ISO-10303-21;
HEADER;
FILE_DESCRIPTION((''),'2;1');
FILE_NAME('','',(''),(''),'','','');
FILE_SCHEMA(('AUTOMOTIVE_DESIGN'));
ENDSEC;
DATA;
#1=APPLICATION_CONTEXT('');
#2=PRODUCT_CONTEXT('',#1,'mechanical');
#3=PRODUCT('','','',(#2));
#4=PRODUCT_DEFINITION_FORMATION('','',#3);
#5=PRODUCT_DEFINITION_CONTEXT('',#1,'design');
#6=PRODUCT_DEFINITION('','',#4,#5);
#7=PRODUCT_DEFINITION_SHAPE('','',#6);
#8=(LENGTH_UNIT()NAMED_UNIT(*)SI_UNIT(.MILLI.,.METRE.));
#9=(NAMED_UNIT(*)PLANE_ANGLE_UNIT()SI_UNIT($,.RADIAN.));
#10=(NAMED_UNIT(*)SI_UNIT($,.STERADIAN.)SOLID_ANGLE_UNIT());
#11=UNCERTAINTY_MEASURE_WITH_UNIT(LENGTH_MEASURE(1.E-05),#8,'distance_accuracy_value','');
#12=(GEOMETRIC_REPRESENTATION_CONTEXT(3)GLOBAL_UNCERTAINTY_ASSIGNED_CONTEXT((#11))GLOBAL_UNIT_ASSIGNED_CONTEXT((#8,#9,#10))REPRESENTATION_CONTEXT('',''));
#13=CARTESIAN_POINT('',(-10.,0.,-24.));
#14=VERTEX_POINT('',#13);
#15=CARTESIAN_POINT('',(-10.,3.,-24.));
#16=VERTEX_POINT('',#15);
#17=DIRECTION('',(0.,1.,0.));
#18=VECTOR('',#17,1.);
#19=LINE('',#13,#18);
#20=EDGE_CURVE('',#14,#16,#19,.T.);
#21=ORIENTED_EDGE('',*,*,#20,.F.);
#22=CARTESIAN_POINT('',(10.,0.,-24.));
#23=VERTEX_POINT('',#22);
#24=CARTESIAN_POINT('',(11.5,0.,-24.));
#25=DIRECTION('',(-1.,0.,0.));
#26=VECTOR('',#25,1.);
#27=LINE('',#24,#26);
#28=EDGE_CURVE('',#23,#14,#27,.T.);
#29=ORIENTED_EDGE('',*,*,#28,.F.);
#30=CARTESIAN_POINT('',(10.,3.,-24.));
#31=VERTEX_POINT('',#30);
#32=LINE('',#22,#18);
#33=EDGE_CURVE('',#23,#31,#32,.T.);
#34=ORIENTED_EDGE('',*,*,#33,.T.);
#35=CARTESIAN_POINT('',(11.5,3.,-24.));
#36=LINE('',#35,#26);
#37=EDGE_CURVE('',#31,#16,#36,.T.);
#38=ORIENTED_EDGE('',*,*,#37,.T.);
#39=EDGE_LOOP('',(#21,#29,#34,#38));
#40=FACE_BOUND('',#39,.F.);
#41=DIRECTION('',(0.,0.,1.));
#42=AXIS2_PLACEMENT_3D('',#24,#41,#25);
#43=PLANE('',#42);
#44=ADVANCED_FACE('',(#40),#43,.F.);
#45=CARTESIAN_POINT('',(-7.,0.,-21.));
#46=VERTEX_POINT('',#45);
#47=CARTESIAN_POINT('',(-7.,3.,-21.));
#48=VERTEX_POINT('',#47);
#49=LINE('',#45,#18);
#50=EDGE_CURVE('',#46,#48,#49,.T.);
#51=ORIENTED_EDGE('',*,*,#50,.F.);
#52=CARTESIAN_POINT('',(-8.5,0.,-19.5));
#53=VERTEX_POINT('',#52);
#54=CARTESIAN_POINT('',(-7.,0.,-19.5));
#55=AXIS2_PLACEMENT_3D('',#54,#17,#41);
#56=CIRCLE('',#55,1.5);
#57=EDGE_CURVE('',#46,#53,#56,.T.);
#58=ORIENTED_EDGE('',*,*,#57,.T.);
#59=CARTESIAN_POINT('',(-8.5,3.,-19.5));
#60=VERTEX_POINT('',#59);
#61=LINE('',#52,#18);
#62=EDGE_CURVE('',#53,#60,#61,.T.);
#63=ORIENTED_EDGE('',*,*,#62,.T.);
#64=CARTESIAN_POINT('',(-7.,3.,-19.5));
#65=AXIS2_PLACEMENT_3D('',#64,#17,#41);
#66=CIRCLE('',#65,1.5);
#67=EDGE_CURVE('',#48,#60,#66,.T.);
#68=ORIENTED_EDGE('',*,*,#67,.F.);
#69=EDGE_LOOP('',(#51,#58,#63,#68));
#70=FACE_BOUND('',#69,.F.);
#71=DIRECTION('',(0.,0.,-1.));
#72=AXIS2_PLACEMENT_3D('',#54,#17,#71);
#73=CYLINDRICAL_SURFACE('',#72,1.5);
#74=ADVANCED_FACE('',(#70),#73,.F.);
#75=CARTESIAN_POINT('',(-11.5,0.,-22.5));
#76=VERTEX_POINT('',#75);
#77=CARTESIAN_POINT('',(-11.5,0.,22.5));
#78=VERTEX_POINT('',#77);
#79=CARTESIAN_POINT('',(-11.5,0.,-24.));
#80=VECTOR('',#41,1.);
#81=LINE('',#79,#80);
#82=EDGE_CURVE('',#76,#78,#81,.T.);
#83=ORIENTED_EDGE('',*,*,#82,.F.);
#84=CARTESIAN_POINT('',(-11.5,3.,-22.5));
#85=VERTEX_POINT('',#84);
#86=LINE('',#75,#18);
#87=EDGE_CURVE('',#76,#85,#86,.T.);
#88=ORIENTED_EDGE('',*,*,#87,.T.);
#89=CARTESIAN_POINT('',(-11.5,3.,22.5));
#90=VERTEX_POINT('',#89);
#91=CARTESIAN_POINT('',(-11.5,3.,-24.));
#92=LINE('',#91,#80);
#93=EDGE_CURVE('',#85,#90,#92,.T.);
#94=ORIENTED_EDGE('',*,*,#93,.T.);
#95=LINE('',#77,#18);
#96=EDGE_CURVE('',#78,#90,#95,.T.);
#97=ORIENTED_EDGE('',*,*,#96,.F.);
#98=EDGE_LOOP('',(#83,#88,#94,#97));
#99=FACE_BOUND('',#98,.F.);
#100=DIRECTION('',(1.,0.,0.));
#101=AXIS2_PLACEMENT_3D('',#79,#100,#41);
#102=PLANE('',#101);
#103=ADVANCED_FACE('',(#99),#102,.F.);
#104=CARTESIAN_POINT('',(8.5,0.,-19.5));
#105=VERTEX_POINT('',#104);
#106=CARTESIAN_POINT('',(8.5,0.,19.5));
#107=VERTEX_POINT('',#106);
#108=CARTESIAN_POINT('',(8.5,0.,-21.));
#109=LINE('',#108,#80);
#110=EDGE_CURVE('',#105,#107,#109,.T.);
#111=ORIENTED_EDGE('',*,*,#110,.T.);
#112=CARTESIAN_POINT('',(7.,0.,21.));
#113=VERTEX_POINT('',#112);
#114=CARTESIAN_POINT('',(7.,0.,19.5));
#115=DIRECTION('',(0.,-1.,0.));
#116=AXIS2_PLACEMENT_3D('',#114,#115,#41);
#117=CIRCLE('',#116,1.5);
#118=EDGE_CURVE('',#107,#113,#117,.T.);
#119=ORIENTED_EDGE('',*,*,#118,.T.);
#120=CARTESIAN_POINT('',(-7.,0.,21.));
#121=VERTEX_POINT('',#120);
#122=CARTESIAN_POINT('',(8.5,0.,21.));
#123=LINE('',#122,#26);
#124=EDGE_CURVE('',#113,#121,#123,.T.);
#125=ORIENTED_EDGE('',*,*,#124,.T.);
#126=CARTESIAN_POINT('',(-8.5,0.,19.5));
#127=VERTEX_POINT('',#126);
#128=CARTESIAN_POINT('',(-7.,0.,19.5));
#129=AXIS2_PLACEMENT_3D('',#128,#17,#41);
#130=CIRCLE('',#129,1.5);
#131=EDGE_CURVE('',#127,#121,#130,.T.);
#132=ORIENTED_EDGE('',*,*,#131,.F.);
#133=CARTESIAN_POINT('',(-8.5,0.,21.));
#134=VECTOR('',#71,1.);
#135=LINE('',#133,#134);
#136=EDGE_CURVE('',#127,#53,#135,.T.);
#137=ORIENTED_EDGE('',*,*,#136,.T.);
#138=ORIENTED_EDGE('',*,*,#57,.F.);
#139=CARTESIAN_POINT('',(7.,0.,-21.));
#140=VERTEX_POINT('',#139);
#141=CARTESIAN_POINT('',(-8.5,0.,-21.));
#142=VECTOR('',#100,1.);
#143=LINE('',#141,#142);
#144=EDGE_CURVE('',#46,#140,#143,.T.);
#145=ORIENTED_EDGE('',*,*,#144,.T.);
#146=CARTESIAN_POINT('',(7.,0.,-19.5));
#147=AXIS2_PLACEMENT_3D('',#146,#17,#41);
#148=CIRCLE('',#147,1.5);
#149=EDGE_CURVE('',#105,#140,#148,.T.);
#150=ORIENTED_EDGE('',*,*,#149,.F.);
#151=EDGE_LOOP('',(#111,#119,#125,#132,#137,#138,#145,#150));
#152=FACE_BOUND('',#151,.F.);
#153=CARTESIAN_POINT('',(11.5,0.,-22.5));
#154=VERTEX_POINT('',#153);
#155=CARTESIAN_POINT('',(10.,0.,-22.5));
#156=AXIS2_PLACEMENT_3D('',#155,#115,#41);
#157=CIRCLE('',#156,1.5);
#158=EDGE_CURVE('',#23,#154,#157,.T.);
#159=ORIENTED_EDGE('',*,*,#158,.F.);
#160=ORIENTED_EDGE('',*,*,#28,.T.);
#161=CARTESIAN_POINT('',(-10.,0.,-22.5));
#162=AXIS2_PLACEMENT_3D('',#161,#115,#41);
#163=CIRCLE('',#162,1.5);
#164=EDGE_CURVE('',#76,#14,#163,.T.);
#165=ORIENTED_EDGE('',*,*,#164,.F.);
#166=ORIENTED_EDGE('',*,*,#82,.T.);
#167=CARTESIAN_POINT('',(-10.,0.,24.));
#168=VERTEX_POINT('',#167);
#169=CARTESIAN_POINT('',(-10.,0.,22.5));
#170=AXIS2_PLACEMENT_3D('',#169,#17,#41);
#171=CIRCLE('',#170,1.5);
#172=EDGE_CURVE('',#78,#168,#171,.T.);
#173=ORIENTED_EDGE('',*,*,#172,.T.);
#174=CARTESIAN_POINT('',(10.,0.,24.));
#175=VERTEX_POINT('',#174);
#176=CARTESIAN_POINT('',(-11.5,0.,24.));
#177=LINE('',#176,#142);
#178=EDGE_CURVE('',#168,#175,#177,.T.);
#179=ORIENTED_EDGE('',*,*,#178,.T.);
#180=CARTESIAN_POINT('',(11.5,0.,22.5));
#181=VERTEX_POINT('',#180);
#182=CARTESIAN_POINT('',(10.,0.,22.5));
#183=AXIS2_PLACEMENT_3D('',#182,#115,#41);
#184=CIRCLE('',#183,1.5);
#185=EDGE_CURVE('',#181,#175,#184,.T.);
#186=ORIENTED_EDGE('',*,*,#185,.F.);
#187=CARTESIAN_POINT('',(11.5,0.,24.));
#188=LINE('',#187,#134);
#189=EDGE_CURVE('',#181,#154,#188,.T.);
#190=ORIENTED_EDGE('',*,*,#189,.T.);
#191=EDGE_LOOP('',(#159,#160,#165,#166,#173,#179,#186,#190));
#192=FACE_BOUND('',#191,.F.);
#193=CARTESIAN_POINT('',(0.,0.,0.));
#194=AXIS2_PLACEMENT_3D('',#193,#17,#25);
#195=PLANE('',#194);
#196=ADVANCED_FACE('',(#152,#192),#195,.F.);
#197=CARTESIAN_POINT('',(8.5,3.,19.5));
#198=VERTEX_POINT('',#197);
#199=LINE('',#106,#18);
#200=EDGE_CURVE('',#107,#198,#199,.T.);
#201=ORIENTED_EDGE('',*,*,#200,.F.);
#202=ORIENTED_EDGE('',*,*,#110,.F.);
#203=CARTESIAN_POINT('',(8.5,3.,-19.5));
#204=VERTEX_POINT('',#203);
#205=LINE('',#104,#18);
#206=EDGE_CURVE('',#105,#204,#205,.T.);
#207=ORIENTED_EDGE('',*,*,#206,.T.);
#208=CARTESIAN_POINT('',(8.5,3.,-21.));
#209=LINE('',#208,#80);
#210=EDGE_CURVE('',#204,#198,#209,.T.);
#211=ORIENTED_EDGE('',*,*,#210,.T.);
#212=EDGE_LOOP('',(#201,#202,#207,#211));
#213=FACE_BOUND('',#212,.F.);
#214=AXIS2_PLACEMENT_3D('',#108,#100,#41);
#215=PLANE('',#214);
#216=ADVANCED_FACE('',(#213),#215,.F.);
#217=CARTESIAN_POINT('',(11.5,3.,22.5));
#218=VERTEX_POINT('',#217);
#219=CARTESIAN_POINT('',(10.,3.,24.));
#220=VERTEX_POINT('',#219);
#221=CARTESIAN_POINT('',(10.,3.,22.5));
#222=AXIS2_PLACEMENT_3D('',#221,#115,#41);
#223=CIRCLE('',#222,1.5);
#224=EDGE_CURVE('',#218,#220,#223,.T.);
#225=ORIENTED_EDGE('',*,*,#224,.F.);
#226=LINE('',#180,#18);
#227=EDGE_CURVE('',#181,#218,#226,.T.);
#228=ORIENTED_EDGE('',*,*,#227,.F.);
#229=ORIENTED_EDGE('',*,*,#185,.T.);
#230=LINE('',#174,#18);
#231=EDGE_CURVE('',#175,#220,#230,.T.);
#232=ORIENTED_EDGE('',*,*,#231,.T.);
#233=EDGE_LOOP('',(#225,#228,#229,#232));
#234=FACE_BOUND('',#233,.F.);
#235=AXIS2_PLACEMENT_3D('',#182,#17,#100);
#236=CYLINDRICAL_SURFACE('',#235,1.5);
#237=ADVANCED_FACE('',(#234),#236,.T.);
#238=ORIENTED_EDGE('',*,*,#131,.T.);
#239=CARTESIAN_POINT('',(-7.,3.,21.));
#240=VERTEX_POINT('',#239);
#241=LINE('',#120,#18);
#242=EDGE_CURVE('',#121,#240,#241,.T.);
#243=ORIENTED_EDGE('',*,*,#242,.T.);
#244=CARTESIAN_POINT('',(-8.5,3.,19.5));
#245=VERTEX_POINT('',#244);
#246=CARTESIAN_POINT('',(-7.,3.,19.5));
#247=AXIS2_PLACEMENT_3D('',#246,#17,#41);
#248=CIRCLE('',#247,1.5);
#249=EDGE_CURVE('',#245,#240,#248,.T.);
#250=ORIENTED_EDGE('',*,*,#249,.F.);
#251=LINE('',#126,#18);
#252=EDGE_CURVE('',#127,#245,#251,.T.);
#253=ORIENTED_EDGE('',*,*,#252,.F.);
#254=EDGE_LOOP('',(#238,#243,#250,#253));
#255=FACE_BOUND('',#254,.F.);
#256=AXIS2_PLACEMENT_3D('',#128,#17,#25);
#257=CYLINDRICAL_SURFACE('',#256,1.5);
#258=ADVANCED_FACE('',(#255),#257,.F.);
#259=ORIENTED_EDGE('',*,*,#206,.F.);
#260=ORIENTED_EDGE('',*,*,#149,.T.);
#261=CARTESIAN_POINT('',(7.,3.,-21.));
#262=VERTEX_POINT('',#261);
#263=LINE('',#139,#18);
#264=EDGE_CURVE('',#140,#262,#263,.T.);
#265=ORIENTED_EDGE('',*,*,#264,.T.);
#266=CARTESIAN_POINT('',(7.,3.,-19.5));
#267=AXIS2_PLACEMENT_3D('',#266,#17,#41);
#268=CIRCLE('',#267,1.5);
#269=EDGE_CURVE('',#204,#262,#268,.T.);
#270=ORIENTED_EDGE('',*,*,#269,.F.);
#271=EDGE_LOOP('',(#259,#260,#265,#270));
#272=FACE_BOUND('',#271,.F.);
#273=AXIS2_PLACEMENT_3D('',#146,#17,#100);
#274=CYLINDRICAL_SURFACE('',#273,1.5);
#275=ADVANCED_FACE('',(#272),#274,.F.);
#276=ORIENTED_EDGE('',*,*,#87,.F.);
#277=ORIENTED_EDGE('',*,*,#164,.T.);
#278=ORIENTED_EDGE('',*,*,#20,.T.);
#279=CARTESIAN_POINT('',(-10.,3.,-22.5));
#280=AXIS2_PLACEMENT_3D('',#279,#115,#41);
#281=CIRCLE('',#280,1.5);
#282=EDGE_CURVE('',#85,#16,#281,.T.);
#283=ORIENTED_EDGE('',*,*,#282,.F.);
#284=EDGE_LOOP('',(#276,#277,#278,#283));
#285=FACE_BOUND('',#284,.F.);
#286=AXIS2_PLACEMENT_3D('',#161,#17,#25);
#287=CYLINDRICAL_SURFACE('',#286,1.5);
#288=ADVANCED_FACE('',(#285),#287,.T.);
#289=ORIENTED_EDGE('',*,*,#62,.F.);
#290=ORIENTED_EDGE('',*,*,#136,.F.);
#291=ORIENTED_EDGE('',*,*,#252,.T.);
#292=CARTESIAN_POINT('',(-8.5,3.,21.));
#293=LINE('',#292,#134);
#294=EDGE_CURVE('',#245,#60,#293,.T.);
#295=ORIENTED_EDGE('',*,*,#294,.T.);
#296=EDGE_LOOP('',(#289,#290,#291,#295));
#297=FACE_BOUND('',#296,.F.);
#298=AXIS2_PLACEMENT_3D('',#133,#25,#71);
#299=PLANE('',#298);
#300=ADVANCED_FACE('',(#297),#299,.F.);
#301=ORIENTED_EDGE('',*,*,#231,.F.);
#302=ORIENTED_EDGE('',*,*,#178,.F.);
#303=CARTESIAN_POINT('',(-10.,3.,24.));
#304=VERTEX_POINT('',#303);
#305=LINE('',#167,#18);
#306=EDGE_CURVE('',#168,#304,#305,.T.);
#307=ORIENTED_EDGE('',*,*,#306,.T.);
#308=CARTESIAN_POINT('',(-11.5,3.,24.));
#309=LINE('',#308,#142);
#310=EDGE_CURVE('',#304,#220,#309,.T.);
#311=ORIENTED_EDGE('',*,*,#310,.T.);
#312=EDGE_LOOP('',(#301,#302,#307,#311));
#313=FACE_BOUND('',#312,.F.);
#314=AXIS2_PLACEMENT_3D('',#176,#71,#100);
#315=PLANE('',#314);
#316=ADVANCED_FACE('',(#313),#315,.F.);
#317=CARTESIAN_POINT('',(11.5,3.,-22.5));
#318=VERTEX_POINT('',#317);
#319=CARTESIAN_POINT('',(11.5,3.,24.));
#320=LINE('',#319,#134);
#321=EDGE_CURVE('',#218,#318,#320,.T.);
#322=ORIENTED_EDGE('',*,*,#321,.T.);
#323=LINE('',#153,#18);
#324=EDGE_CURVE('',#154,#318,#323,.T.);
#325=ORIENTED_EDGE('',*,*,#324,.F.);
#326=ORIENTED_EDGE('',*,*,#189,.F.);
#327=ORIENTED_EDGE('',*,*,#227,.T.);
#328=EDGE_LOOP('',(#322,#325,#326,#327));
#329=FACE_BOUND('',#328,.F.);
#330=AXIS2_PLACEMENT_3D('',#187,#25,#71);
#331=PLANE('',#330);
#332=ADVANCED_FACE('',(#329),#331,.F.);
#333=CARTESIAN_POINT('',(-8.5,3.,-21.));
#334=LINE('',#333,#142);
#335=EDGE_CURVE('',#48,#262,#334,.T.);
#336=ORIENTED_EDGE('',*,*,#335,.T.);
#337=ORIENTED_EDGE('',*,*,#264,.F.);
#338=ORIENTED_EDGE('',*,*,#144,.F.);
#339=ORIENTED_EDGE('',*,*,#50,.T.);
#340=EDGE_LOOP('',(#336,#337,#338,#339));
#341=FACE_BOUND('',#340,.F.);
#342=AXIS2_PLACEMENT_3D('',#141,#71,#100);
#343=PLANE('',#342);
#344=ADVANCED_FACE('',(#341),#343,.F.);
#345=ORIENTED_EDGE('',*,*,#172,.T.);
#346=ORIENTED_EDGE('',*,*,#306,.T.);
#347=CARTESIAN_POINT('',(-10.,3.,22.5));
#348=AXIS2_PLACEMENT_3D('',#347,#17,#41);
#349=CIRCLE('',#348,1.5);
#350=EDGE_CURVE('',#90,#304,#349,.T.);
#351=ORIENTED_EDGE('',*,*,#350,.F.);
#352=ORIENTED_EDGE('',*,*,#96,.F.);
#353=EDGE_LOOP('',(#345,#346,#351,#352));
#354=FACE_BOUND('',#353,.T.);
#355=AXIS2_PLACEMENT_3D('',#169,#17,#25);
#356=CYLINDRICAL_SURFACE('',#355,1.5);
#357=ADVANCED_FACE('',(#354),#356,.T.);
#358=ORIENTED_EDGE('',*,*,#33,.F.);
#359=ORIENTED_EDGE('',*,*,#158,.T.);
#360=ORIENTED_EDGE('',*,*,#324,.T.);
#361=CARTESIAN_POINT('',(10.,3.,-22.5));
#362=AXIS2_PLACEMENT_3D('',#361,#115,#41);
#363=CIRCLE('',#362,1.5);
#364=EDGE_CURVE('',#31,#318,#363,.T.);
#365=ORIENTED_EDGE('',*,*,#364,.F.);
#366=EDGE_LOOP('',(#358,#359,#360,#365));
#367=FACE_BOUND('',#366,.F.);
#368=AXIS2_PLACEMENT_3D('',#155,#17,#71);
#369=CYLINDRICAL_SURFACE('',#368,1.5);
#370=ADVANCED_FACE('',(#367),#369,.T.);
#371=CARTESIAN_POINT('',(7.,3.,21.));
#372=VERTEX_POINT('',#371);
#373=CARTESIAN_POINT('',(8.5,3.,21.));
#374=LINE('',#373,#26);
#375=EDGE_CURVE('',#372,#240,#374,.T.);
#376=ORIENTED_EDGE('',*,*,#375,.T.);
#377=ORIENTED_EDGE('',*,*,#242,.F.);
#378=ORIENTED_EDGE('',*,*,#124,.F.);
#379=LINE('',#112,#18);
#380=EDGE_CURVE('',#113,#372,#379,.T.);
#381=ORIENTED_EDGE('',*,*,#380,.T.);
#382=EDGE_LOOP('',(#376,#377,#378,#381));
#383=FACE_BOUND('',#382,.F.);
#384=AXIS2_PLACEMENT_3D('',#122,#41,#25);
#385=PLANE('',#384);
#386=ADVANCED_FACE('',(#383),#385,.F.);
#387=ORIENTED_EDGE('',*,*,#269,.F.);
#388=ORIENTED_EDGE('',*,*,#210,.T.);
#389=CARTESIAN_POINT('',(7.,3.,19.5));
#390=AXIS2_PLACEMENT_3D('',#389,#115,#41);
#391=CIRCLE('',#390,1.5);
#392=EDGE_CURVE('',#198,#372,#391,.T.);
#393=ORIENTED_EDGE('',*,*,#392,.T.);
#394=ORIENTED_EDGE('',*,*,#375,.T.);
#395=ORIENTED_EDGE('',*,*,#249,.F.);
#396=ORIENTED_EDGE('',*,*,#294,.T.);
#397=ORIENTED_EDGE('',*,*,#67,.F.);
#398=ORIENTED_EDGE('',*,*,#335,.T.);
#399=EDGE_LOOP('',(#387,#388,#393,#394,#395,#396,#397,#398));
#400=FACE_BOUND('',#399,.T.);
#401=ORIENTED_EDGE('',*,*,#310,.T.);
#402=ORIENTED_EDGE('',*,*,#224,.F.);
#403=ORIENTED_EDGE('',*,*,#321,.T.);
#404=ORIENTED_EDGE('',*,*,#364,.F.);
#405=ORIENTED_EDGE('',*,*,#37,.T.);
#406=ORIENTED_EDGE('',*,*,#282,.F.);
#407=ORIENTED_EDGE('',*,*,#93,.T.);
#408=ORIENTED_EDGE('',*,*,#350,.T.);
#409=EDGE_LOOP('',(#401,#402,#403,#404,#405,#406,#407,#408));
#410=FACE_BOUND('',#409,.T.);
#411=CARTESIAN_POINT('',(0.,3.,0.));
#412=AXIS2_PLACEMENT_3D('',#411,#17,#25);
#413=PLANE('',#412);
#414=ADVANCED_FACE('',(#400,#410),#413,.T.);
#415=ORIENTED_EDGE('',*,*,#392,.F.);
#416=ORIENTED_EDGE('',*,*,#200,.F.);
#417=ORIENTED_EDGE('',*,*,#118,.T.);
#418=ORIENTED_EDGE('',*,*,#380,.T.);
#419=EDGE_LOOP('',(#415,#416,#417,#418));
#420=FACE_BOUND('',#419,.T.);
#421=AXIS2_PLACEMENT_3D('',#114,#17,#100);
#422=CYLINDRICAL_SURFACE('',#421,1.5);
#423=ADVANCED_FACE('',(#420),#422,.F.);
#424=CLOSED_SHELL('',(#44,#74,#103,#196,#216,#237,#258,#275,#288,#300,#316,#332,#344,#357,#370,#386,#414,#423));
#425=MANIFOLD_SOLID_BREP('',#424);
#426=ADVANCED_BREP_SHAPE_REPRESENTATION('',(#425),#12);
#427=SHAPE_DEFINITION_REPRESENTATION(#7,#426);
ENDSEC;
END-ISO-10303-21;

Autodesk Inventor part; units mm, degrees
ref_plane "YZ Plane" through (0, 0, 0) normal (1, 0, 0) x (0, 1, 0)
ref_plane "XZ Plane" through (0, 0, 0) normal (0, 1, 0) x (-1, 0, 0)
ref_plane "XY Plane" through (0, 0, 0) normal (0, 0, 1) x (1, 0, 0)
sketch "Sketch1" plane through (0, 0, 0) normal (0, 1, 0) x (-1, 0, 0)
  line L0 (11.5, 24) -> (-11.5, 24)
  line L1 (-11.5, 24) -> (-11.5, -24)
  line L2 (-11.5, -24) -> (11.5, -24)
  line L3 (11.5, -24) -> (11.5, 24)
  line L4 (11.5, 24) -> (-11.5, -24) construction
  line L5 (-11.5, 24) -> (11.5, -24) construction
  line L6 (-8.5, 21) -> (8.5, 21)
  line L7 (8.5, 21) -> (8.5, -21)
  line L8 (8.5, -21) -> (-8.5, -21)
  line L9 (-8.5, -21) -> (-8.5, 21)
  line L10 (-8.5, 21) -> (8.5, -21) construction
  line L11 (8.5, 21) -> (-8.5, -21) construction
  line L12 (0, 0) -> (-8.5, 0) construction
  circle A0 centre (0, -12) radius 1.5
  circle A1 centre (0, 12) radius 1.5
  line L13 (17.5, 30) -> (-17.5, 30)
  line L14 (-17.5, 30) -> (-17.5, -30)
  line L15 (-17.5, -30) -> (17.5, -30)
  line L16 (17.5, -30) -> (17.5, 30)
  line L17 (17.5, 30) -> (-17.5, -30) construction
  line L18 (-17.5, 30) -> (17.5, -30) construction
  circle A2 centre (14.5, 27) radius 1.5
  circle A3 centre (-14.5, 27) radius 1.5
  circle A4 centre (14.5, -27) radius 1.5
  circle A5 centre (-14.5, -27) radius 1.5
  dimension "d0" = 23
  dimension "d1" = 48
  dimension "d3" = 3
  dimension "d4" = 3
  dimension "d5" = 3
  dimension "d6" = 12
  dimension "d9" = 6
  dimension "d10" = 6
  dimension "d13" = 3
  dimension "d14" = 3
  dimension "d15" = 3
  dimension "d16" = 3
  dimension "d17" = 3
  dimension "d18" = 3
extrude "Extrusion1" add sketch "Sketch1" along normal blind 3 contours L3 L2 L1 L0
fillet "Fillet2" radius 1.5 4 edges at (11.5, 1.5, 24) (-11.5, 1.5, 24) (-11.5, 1.5, -24) (11.5, 1.5, -24)
fillet "Fillet3" radius 1.5 4 edges at (8.5, 1.5, -21) (8.5, 1.5, 21) (-8.5, 1.5, 21) (-8.5, 1.5, -21)
properties part number "Chamber"
